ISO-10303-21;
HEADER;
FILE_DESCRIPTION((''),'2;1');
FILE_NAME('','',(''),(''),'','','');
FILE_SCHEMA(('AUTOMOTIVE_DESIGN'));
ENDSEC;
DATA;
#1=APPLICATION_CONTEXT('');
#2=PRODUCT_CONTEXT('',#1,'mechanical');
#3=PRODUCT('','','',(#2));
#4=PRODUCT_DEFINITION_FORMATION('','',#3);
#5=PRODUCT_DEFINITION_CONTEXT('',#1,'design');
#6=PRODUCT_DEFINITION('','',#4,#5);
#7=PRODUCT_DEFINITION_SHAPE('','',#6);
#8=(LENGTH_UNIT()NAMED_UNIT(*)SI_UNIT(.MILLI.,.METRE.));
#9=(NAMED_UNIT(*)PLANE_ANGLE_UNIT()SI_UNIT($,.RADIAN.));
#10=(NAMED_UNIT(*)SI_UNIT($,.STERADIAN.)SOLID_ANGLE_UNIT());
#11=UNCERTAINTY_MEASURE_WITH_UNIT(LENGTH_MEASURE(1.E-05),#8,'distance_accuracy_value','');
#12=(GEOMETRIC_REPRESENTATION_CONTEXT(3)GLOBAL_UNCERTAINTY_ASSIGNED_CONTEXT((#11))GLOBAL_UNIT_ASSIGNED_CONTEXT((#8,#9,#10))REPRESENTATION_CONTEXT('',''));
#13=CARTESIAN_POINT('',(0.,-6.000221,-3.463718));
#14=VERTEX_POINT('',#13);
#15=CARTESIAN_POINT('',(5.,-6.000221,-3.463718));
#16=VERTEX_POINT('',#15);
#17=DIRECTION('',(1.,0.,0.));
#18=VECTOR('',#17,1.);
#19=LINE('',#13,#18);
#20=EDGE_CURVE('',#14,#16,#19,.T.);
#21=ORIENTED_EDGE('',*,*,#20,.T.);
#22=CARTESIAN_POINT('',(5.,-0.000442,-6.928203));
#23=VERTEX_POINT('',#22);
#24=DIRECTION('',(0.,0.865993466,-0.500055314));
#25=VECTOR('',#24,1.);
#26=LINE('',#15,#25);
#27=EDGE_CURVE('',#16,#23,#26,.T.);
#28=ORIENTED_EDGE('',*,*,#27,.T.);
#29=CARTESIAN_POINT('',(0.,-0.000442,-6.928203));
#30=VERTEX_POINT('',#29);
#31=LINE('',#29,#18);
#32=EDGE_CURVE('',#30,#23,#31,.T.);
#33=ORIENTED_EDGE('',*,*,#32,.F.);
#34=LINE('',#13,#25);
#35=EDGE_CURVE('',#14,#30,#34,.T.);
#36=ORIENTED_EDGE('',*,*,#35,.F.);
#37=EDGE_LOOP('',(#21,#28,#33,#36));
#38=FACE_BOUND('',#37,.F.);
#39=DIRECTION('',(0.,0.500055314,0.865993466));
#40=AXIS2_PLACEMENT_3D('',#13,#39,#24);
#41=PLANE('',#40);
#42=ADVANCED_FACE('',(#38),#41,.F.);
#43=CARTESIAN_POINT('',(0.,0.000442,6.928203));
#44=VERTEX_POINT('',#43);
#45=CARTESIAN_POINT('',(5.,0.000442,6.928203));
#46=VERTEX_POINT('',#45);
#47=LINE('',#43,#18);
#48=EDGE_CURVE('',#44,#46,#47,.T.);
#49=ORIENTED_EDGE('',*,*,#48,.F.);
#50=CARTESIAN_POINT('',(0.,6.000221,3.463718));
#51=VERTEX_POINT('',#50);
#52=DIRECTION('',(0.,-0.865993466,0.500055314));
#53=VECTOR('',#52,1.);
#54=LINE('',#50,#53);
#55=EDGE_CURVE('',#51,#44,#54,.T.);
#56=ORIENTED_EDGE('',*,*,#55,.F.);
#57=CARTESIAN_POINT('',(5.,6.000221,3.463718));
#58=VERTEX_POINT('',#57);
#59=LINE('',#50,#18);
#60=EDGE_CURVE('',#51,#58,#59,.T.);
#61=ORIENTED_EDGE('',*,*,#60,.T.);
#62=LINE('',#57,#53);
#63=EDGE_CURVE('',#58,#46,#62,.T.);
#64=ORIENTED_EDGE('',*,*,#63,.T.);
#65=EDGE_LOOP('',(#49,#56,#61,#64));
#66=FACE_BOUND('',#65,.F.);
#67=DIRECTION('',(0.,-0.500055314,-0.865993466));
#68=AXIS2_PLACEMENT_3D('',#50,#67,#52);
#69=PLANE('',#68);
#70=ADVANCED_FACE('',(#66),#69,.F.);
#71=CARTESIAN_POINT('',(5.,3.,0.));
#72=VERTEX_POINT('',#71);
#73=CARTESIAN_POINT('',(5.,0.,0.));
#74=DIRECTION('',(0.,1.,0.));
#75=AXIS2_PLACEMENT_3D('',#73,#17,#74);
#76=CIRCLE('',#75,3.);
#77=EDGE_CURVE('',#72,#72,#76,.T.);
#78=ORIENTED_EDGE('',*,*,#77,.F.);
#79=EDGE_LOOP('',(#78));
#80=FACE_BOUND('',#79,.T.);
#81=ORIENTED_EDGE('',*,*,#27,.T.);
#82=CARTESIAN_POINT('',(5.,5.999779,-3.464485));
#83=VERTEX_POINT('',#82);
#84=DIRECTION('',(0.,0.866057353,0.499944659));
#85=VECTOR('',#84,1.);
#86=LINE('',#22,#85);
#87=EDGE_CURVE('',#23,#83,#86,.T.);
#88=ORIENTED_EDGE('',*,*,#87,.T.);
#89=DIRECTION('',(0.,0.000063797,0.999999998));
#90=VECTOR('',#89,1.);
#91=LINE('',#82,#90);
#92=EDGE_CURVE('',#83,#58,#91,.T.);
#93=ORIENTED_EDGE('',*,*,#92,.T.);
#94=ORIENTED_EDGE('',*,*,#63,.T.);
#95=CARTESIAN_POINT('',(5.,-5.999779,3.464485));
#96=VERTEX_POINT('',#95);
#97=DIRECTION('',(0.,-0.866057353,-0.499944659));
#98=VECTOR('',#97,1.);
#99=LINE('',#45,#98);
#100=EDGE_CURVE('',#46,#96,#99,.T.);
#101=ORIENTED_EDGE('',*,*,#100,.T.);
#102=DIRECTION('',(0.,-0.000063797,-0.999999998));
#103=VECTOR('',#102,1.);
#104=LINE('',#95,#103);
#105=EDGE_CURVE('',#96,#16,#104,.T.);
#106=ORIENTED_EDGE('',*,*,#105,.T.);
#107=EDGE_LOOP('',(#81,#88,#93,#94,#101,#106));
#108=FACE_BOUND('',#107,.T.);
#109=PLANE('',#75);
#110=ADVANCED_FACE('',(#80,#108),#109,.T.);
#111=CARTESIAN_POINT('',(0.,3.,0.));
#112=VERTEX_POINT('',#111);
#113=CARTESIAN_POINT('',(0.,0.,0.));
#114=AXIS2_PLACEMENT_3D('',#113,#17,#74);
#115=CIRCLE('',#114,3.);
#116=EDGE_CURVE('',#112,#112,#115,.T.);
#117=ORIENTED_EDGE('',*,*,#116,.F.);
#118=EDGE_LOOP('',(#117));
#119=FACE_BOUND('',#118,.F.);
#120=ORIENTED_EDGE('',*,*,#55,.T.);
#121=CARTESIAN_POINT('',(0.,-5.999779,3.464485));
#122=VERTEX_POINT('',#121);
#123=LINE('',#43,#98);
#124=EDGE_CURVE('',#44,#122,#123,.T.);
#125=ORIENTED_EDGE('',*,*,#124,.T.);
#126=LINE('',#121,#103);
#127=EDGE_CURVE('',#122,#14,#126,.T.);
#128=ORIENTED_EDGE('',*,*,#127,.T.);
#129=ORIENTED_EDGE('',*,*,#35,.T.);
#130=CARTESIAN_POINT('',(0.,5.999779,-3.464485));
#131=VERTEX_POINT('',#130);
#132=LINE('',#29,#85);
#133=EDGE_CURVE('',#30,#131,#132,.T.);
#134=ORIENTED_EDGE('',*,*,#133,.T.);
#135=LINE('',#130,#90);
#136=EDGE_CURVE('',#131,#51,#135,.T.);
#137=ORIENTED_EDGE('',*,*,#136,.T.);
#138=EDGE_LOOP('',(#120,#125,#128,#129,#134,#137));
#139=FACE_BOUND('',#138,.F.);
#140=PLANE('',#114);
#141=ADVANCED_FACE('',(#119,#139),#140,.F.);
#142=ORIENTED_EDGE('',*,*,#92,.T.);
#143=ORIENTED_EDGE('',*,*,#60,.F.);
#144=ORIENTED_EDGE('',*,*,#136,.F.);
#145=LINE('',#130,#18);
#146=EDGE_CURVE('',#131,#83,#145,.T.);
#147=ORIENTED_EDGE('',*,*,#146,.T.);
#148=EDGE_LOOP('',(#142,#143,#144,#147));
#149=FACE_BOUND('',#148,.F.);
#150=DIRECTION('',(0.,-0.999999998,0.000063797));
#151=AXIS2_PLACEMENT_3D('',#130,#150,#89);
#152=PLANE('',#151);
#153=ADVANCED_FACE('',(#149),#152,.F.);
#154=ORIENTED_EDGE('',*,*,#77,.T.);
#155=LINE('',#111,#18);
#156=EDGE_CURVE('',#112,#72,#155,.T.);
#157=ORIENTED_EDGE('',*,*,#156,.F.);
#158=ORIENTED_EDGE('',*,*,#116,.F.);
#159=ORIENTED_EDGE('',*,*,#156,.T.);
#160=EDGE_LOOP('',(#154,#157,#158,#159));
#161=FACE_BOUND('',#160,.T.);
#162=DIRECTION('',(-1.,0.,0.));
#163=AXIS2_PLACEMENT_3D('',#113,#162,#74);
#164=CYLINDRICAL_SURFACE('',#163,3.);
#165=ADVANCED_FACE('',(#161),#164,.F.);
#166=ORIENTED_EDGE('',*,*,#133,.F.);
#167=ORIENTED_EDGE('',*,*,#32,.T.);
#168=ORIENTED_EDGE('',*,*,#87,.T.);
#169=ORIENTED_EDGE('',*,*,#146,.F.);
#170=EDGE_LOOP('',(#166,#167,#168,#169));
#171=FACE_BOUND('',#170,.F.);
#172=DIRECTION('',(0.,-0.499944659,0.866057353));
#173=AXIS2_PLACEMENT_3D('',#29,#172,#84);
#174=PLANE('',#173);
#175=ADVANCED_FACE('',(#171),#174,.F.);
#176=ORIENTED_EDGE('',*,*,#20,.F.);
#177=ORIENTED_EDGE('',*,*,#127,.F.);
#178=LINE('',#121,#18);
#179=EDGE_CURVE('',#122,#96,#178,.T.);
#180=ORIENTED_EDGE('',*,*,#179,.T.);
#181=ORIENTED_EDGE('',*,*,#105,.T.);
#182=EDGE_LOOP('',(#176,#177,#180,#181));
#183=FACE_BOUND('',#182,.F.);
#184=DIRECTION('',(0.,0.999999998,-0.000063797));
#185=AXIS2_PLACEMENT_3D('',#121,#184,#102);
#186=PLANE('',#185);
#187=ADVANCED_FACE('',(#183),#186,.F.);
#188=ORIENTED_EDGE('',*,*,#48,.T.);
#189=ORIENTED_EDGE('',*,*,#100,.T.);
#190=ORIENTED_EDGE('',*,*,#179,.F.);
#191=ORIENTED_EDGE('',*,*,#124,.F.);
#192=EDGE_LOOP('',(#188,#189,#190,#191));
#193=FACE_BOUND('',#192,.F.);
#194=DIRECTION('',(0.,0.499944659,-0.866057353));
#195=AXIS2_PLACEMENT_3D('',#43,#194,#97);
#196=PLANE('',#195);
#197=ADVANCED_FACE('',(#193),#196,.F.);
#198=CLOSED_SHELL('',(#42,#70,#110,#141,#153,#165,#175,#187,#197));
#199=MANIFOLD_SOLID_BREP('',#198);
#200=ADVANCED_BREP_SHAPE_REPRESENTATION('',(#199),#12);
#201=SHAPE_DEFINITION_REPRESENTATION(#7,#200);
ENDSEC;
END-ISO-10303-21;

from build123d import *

# Parameters (mm, degrees)
F0_R     = 3
F1_DEPTH = 5


with BuildPart() as f1:
    # F0 (on Right) → F1 (new body)
    with BuildSketch(Plane.YZ):
        Polygon((-0.000442, -6.928203), (5.999779, -3.464485), (6.000221, 3.463718), (0.000442, 6.928203), (-5.999779, 3.464485), (-6.000221, -3.463718), align=None)
        Circle(F0_R, mode=Mode.SUBTRACT)
    extrude(amount=F1_DEPTH)


solid = f1.part
